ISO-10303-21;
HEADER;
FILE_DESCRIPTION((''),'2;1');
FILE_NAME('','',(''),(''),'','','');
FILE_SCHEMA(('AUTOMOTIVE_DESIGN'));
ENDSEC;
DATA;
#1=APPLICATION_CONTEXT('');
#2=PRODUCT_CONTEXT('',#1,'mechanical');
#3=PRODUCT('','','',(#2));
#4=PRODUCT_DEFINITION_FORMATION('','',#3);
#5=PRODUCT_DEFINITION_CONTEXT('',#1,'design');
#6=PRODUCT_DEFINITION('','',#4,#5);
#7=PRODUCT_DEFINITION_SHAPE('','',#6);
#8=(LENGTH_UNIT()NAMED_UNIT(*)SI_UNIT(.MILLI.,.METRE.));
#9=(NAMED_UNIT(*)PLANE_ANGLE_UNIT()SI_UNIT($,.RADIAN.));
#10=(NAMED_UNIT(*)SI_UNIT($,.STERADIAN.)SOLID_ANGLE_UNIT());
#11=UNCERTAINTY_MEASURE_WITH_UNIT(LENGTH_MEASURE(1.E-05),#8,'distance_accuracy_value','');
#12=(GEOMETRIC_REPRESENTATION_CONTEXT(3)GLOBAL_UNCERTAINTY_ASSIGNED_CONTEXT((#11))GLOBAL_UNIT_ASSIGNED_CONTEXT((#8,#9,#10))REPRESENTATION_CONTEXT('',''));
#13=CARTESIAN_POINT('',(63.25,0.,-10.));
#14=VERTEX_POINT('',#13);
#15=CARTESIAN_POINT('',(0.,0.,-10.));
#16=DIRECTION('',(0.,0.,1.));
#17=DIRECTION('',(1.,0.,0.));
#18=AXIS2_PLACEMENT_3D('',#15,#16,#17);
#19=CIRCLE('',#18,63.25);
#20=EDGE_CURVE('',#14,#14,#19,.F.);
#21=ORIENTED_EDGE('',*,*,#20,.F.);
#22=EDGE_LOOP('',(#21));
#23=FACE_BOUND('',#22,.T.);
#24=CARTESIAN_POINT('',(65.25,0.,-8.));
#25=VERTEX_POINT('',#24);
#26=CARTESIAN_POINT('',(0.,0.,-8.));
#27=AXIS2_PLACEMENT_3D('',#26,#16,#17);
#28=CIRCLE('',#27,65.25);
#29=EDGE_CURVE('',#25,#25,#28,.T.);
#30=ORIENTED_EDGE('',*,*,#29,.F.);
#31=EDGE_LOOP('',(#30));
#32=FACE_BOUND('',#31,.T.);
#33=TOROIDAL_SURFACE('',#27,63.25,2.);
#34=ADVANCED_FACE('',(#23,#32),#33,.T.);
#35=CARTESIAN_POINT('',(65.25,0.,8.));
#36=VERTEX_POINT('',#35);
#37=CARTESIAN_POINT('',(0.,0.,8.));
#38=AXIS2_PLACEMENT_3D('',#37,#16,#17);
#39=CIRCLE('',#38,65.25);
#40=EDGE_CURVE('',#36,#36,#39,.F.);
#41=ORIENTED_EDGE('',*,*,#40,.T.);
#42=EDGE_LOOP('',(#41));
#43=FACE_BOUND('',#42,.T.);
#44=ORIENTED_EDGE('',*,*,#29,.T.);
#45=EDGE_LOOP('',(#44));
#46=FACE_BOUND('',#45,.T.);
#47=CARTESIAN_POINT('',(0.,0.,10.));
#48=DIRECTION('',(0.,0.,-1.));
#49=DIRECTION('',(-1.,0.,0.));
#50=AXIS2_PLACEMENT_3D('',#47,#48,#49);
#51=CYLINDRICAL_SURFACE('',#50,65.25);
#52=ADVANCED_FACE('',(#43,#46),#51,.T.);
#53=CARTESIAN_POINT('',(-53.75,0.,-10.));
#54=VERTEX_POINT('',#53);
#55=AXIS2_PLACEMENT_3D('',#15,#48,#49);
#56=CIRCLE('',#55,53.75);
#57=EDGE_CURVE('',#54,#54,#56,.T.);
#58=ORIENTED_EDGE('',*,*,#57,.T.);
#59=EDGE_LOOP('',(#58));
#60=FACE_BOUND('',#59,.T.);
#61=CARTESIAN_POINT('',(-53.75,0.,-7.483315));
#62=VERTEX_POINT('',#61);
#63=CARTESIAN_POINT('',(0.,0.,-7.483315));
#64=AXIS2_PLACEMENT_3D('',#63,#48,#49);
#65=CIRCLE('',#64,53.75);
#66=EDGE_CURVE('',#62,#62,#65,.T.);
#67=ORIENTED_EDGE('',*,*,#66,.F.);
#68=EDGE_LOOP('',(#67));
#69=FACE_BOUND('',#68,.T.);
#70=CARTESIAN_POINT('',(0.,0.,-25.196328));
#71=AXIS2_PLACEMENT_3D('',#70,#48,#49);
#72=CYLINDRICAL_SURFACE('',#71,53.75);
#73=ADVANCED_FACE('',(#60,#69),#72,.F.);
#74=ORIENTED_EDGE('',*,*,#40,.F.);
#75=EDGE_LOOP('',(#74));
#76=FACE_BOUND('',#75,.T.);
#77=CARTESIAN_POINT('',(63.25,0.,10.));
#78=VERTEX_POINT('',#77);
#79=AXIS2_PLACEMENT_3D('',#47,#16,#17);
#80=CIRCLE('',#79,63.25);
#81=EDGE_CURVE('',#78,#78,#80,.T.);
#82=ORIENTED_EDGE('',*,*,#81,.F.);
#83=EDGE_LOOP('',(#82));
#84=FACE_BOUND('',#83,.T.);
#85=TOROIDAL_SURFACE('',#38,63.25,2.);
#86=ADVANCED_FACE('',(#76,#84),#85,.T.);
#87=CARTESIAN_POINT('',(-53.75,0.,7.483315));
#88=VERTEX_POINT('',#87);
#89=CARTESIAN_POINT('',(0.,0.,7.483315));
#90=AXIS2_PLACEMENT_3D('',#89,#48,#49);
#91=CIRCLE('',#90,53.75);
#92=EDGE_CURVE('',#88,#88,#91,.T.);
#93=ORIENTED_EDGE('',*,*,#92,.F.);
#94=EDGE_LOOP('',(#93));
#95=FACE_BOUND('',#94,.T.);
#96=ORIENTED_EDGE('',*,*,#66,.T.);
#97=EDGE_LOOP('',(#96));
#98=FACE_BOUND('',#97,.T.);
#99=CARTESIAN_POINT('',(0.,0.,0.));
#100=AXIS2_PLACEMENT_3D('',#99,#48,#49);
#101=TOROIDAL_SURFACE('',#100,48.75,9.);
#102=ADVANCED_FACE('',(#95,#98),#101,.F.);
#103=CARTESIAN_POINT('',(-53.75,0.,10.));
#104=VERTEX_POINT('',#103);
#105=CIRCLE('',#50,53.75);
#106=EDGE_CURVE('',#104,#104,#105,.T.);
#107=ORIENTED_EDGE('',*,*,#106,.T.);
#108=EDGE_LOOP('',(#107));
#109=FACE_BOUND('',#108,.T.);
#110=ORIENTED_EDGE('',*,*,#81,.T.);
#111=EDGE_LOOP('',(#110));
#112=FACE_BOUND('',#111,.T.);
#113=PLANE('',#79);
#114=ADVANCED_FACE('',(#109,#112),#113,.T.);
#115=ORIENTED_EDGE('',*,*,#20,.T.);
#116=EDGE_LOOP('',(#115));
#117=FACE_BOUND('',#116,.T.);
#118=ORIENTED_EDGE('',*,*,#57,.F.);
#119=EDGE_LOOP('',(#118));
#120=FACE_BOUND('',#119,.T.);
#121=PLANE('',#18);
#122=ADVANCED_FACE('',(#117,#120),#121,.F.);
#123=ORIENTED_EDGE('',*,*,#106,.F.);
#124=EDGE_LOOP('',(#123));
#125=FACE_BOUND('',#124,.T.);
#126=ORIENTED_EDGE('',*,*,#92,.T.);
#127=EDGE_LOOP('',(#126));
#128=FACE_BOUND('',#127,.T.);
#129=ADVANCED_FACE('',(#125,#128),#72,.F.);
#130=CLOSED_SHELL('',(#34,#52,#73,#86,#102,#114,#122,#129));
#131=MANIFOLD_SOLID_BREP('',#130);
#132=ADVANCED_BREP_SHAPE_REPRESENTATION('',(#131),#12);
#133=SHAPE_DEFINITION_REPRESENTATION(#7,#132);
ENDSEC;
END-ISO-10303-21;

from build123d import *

# Parameters (mm, degrees)
SKETCH_1_R      = 65.25
SKETCH_1_R_2    = 50.25
EXTRUDE_1_DEPTH = 10
FILLET_1_R      = 2


with BuildPart() as part:
    # 草图1 → 凸台-拉伸1 (new, symmetric)
    with BuildSketch(Plane.XY):
        Circle(SKETCH_1_R)
        Circle(SKETCH_1_R_2, mode=Mode.SUBTRACT)
    extrude(amount=EXTRUDE_1_DEPTH, both=True)

    # 草图2 → 切除-旋转2 (revolve, cut)
    with BuildSketch(Plane(origin=(0, 0, 0), x_dir=(1, 0, 0), z_dir=(0, 1, 0)), mode=Mode.PRIVATE) as cut_revolve_2_sk:
        with BuildLine():
            Line((53.75, 10), (53.75, 7.483314774))
            ThreePointArc((53.75, 7.483314774), (57.75, 0), (53.75, -7.483314774))
            Line((53.75, -7.483314774), (53.75, -10))
            Line((53.75, -10), (42.293700596, -10))
            Line((42.293700596, -10), (42.293700596, 10))
            Line((42.293700596, 10), (53.75, 10))
        make_face()
    revolve(cut_revolve_2_sk.sketch.rotate(Axis((0, 0, -25.196328101), (0, 0, 1)), 180), axis=Axis((0, 0, -25.196328101), (0, 0, 1)), mode=Mode.SUBTRACT)

    # 圆角1
    fillet_1_edges = [part.edges().sort_by_distance(p)[0] for p in [
        (-65.25, 0, -10),
        (-65.25, 0, 10),
    ]]
    fillet(fillet_1_edges, radius=FILLET_1_R)


solid = part.part
